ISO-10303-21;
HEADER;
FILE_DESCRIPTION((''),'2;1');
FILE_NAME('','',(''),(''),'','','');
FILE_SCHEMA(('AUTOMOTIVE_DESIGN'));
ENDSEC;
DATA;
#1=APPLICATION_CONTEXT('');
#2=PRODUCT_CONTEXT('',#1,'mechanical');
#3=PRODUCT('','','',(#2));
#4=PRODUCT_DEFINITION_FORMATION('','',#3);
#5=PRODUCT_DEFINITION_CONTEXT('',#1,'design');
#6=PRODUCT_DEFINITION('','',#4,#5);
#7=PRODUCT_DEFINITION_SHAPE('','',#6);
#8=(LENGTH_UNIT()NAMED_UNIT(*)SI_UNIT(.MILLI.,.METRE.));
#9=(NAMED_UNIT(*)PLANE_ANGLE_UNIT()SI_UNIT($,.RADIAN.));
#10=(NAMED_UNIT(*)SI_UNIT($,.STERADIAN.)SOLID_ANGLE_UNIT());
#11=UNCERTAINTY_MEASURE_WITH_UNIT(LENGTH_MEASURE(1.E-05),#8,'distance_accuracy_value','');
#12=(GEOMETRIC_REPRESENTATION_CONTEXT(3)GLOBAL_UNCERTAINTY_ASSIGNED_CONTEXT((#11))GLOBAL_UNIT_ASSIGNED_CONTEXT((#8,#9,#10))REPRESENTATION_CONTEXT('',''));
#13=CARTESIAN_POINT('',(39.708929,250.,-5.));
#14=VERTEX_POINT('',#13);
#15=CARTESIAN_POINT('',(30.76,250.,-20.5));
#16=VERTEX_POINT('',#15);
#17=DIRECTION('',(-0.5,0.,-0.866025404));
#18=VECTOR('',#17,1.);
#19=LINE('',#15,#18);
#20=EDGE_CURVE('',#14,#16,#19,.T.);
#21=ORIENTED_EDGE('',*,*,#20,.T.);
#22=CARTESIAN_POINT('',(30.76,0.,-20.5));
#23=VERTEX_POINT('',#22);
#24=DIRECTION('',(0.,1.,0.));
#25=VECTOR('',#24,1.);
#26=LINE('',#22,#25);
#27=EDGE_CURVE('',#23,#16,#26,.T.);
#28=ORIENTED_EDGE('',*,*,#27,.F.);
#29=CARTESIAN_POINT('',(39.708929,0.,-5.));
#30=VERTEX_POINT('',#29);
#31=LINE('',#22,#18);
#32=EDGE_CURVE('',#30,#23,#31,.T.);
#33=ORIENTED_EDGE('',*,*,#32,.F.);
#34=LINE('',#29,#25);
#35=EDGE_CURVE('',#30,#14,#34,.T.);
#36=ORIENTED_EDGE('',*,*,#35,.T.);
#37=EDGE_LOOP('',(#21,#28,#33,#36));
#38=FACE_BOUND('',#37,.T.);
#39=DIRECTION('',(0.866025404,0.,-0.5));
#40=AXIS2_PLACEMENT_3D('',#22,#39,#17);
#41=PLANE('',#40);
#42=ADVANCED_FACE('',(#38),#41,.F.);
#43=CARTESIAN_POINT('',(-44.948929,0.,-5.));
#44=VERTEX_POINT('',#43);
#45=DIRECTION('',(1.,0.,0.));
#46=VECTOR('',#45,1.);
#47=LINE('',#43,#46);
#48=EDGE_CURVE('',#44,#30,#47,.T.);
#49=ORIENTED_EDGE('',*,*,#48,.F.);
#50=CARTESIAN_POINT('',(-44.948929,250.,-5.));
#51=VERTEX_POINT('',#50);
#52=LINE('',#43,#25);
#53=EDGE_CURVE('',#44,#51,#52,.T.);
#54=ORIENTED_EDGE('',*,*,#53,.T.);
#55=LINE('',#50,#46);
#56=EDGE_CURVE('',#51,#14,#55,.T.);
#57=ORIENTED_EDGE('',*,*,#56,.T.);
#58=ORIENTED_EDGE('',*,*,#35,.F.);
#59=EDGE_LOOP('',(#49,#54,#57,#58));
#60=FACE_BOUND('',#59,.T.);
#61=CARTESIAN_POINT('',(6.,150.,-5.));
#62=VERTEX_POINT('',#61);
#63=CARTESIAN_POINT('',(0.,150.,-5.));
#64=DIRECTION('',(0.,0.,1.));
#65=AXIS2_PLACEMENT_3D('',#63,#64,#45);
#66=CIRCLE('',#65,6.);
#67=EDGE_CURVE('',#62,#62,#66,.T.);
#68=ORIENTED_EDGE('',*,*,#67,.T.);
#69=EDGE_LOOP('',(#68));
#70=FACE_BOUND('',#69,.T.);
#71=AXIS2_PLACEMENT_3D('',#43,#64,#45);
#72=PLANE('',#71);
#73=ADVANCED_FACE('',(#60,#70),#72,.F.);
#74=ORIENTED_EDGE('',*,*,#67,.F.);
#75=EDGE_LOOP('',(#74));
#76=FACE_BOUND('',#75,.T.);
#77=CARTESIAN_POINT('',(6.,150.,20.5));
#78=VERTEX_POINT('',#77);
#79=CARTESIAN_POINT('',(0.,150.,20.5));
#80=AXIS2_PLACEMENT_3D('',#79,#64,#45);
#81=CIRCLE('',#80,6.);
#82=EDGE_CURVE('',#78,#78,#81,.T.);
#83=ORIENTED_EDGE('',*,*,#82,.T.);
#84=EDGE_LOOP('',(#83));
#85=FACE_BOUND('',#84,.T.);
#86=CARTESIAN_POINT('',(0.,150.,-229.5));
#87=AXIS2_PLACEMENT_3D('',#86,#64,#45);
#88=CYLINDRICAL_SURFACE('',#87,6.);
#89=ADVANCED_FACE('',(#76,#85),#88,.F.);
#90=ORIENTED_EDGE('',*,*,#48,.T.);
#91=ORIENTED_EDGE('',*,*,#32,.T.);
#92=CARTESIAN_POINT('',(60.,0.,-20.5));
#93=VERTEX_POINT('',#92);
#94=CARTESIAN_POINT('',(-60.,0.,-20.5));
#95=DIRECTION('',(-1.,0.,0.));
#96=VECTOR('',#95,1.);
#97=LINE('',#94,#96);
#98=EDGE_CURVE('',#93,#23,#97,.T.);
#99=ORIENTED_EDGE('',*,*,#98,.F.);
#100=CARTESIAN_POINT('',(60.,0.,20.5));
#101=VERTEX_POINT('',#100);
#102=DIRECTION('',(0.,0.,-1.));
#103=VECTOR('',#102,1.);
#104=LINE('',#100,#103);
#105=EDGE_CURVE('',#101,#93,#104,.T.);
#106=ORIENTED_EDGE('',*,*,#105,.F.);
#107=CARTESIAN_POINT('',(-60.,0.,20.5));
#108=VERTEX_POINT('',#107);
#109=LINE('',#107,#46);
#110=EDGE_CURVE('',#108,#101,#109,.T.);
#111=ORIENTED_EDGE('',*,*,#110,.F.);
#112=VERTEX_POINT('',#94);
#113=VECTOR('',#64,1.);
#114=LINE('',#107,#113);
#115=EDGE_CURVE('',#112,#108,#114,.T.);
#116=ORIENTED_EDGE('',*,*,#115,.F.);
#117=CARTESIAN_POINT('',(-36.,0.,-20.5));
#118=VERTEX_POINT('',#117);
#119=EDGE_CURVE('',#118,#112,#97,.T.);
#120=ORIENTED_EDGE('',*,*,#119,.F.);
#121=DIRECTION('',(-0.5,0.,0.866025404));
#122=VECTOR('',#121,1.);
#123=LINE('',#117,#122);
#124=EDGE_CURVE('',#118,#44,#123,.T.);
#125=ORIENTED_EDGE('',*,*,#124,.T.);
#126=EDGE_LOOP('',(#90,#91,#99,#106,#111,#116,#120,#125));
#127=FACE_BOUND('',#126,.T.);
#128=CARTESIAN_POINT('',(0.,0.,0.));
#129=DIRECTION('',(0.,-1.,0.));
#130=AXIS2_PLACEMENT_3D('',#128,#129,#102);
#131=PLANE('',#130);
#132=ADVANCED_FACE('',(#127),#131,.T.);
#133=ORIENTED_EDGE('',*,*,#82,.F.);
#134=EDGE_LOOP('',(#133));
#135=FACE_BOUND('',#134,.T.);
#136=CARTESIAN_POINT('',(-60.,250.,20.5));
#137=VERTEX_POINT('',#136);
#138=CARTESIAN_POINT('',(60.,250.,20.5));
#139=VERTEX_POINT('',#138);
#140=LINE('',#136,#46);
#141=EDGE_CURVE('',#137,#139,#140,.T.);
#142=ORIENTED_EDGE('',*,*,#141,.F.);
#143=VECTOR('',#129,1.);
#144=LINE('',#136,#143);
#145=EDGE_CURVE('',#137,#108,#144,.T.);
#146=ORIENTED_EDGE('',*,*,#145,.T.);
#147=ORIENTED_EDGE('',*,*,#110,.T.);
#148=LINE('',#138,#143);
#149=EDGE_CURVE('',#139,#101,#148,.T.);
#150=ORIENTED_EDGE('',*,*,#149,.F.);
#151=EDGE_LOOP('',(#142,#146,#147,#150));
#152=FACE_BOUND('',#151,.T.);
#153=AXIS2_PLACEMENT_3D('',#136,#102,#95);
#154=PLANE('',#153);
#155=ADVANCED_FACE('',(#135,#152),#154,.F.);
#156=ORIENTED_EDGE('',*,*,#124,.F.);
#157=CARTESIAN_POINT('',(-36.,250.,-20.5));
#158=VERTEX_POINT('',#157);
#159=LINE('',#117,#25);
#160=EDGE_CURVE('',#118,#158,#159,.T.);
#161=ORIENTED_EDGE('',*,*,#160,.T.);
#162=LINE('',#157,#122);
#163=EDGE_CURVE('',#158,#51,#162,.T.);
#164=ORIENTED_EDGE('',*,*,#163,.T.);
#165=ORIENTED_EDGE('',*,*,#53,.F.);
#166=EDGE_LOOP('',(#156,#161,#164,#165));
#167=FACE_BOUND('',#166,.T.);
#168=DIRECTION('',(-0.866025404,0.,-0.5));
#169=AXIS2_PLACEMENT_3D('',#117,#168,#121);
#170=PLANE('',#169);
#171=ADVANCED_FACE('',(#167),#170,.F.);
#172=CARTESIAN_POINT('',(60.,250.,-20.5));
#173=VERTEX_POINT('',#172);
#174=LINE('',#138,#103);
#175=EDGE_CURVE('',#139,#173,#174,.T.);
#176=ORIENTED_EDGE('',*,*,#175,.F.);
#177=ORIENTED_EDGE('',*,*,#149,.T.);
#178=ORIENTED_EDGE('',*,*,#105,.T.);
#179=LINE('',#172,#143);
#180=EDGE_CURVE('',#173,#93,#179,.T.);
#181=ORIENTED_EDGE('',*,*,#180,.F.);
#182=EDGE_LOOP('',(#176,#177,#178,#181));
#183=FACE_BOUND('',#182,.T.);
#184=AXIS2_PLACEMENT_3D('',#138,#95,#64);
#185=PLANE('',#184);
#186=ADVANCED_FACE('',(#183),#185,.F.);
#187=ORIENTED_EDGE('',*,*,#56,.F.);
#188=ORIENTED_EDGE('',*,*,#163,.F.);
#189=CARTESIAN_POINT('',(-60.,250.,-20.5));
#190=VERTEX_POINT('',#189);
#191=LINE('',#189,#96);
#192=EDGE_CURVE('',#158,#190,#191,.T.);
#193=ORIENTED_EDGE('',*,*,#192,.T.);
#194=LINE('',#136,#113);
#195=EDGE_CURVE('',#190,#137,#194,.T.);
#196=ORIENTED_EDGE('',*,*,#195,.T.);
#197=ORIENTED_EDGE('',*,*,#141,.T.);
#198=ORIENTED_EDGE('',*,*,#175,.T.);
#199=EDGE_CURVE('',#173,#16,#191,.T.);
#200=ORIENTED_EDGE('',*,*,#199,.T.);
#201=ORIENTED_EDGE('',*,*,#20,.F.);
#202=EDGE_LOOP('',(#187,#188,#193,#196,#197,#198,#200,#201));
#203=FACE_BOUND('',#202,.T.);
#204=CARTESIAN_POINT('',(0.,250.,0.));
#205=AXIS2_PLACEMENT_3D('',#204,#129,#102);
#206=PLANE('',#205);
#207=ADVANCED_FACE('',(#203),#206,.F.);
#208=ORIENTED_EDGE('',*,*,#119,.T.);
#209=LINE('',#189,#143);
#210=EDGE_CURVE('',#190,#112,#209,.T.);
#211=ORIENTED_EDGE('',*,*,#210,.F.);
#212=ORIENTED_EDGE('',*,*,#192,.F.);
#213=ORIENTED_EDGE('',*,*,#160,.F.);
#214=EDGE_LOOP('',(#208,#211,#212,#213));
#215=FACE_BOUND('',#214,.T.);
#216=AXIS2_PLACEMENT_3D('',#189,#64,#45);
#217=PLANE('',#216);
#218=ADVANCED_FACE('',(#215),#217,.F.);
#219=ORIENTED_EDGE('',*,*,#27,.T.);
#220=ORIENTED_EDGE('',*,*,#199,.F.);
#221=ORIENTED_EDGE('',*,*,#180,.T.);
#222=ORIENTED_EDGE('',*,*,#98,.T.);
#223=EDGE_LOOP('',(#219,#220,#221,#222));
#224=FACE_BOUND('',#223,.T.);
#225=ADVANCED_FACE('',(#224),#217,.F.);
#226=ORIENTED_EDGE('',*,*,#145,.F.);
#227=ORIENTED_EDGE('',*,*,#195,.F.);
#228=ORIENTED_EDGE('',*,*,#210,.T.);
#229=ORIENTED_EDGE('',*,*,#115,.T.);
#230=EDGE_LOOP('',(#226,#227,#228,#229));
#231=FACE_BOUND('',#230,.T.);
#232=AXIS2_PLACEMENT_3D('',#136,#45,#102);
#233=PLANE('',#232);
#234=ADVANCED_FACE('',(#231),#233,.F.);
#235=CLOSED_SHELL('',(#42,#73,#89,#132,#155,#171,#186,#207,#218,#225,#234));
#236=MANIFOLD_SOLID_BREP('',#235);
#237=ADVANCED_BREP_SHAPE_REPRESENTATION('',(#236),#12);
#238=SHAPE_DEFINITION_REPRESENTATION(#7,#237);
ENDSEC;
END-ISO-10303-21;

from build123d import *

# Parameters (mm, degrees)
SKETCH1_W           = 120
SKETCH1_H           = 41
BOSS_EXTRUDE1_DEPTH = 250
CUT_EXTRUDE1_DEPTH  = 250
SKETCH3_R           = 6
CUT_EXTRUDE2_DEPTH  = 250


with BuildPart() as part:
    # Sketch1 → Boss-Extrude1 (new body)
    with BuildSketch(Plane(origin=(0, 0, 0), x_dir=(1, 0, 0), z_dir=(0, 1, 0))):
        Rectangle(SKETCH1_W, SKETCH1_H)
    extrude(amount=BOSS_EXTRUDE1_DEPTH)

    # Sketch2 → Cut-Extrude1 (cut)
    with BuildSketch(Plane(origin=(0, 250, 0), x_dir=(1, 0, 0), z_dir=(0, 1, 0))):
        Polygon((-36, 20.5), (-44.948929172, 5), (39.708929172, 5), (30.76, 20.5), align=None)
    extrude(amount=-CUT_EXTRUDE1_DEPTH, mode=Mode.SUBTRACT)

    # Sketch3 → Cut-Extrude2 (cut)
    with BuildSketch(Plane.XY.offset(20.5)):
        with Locations((0, 150)):
            Circle(SKETCH3_R)
    extrude(amount=-CUT_EXTRUDE2_DEPTH, mode=Mode.SUBTRACT)


solid = part.part
